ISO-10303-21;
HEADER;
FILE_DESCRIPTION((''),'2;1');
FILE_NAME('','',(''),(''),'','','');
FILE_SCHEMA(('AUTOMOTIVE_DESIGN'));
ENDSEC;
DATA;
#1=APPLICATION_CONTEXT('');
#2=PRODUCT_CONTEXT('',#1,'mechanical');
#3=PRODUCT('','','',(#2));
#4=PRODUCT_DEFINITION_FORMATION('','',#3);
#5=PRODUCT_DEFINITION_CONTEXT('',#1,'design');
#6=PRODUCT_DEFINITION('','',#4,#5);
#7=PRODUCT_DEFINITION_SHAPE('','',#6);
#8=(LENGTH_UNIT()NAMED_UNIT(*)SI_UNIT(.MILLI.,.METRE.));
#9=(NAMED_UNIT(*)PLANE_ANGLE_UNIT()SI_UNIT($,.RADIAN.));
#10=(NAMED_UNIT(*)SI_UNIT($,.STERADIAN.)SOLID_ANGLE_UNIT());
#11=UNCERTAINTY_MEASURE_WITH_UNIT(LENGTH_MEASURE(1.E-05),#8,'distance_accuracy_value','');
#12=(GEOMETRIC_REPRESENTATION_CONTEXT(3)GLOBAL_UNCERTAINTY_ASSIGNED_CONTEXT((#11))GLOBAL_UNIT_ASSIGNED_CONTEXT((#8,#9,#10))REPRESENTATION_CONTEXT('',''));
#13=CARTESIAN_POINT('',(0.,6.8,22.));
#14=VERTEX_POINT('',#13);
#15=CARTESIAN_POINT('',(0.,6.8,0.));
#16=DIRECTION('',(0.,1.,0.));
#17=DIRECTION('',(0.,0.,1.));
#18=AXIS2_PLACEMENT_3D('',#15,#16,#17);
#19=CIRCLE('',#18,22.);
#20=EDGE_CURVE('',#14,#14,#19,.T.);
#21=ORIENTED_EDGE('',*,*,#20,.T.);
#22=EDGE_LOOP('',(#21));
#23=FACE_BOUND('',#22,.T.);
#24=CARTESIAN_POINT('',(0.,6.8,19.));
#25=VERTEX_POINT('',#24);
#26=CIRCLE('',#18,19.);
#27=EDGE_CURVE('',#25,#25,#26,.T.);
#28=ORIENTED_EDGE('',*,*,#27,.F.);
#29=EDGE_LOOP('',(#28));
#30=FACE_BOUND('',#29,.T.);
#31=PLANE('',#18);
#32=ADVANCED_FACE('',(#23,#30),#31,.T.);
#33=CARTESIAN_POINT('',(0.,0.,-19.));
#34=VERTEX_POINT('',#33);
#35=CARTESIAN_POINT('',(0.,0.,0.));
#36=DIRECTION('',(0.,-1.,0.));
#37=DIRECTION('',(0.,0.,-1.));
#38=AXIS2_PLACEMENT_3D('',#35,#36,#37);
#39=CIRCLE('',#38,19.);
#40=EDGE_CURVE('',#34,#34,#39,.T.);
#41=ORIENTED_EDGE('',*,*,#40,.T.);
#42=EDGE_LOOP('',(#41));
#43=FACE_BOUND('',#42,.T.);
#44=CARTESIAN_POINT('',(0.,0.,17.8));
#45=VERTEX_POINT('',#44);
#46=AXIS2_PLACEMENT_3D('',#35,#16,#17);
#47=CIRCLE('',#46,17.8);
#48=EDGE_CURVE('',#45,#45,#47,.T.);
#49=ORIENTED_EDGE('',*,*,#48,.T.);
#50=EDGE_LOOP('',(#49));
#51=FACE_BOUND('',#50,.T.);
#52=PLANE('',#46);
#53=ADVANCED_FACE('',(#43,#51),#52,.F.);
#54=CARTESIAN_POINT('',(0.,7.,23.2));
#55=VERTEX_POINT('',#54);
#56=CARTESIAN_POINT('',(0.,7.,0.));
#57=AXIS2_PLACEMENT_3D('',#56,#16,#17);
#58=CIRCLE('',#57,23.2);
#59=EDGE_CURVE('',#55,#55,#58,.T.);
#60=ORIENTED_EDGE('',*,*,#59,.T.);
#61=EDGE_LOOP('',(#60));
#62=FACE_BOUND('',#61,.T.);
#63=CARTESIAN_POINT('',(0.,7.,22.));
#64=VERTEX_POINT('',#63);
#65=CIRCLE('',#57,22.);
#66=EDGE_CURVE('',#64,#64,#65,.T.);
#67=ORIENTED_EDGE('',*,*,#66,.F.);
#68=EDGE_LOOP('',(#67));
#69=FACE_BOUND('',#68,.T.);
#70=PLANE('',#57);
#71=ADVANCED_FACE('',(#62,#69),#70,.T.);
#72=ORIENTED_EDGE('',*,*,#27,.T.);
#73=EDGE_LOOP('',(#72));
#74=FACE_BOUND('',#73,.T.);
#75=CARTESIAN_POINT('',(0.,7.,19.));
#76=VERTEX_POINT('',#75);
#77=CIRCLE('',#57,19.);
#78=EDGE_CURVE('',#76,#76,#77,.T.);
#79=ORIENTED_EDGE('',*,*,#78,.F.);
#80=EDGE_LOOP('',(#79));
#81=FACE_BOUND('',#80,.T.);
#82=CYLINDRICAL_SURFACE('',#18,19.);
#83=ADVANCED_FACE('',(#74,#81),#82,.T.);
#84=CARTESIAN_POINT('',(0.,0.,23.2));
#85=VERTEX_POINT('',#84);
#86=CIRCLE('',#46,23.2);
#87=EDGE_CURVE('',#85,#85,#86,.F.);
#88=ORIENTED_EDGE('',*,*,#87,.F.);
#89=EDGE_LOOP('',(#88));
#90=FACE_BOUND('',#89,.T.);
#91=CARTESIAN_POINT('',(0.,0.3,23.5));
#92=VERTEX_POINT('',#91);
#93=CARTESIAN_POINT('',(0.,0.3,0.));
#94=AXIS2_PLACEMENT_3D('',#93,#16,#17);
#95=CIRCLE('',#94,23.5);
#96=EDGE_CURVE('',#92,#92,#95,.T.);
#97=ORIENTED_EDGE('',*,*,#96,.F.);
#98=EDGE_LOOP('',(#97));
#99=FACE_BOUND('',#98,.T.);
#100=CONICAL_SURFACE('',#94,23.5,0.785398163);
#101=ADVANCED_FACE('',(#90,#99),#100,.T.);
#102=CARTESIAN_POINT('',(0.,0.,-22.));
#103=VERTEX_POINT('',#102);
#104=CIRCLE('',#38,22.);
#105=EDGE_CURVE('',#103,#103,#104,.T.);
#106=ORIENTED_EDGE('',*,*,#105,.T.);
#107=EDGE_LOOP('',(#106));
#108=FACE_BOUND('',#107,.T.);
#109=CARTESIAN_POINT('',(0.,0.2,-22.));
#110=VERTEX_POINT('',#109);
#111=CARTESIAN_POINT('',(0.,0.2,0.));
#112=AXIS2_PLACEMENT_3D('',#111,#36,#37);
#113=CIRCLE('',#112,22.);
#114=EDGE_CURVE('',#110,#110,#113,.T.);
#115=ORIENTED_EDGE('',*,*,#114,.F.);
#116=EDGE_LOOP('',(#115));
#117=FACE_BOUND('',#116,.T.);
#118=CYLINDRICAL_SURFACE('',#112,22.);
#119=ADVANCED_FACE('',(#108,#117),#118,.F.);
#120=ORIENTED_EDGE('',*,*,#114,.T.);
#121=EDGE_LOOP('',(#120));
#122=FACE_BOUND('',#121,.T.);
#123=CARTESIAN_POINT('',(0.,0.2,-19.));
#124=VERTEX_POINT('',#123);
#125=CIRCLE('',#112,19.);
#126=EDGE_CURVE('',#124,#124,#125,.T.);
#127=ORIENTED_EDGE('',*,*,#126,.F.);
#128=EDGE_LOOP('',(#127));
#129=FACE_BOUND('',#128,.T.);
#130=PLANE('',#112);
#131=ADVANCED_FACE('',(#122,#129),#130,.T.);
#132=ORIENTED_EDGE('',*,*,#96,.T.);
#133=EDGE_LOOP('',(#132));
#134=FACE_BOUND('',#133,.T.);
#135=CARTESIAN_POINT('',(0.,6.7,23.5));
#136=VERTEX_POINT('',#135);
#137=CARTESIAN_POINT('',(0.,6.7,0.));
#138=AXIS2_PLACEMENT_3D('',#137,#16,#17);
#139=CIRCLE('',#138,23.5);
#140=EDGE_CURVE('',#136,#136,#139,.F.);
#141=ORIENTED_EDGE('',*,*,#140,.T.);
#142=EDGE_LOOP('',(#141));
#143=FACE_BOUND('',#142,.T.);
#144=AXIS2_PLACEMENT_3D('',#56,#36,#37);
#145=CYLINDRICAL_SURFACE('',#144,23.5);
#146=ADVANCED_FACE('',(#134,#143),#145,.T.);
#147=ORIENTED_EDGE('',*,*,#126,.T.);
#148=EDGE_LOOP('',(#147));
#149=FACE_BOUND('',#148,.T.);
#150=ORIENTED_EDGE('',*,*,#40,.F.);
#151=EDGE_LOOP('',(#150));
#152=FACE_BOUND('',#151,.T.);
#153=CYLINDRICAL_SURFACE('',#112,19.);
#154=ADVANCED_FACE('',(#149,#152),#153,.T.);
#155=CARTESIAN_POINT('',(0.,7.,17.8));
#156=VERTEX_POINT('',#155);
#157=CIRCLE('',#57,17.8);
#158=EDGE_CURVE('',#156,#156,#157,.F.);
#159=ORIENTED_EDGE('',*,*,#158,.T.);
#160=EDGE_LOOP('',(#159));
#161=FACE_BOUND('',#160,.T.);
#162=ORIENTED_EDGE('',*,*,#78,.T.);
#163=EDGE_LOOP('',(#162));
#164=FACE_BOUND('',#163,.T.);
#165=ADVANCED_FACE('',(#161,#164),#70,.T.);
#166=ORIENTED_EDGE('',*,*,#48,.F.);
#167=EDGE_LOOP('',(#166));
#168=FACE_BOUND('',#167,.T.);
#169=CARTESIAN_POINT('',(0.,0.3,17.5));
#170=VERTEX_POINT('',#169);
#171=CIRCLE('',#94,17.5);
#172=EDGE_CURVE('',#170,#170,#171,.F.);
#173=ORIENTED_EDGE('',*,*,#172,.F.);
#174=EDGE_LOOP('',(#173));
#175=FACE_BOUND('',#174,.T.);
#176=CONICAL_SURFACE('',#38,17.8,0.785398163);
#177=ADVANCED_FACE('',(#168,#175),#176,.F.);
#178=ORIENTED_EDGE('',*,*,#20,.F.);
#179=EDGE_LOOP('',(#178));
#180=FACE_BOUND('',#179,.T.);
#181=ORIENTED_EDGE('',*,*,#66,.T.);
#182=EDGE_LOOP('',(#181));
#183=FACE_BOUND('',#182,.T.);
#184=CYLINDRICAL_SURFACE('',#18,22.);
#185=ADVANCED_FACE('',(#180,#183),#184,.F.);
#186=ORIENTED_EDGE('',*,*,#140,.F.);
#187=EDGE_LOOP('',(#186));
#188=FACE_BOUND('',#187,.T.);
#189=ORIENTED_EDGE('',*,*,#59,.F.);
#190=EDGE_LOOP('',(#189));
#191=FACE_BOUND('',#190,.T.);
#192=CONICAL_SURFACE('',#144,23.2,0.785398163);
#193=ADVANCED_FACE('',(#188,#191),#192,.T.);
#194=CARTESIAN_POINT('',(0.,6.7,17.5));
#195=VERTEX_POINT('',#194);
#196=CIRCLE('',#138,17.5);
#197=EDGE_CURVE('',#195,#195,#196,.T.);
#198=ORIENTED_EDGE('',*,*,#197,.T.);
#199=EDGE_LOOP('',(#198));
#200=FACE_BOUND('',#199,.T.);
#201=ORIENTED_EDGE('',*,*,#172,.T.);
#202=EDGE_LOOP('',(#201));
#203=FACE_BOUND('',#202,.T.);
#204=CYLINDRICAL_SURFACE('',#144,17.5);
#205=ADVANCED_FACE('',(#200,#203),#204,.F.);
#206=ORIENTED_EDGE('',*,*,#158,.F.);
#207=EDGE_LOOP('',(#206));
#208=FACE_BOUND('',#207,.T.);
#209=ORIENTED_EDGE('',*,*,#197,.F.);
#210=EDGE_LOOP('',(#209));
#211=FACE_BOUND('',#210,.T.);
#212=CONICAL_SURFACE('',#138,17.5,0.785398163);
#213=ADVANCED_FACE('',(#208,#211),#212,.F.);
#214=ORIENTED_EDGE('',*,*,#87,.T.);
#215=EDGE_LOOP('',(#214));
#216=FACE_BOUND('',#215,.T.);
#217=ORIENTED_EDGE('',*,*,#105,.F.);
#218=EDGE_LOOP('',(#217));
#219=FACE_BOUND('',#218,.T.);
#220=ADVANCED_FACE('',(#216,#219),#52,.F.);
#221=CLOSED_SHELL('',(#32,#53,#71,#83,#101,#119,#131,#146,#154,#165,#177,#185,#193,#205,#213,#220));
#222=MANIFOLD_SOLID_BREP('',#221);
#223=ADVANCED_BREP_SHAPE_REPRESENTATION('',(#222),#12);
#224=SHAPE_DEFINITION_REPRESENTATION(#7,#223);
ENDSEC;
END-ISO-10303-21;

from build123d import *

# Parameters (mm, degrees)
SKETCH1_R           = 23.5
SKETCH1_R_2         = 17.5
BOSS_EXTRUDE1_DEPTH = 7
SKETCH2_R           = 22
SKETCH2_R_2         = 19
CUT_EXTRUDE1_DEPTH  = 0.2
CHAMFER1_SIZE       = 0.3
SKETCH3_R           = 22
SKETCH3_R_2         = 19
CUT_EXTRUDE2_DEPTH  = 0.2


with BuildPart() as part:
    # Sketch1 → Boss-Extrude1 (new body)
    with BuildSketch(Plane(origin=(0, 0, 0), x_dir=(1, 0, 0), z_dir=(0, 1, 0))):
        Circle(SKETCH1_R)
        Circle(SKETCH1_R_2, mode=Mode.SUBTRACT)
    extrude(amount=BOSS_EXTRUDE1_DEPTH)

    # Sketch2 → Cut-Extrude1 (cut)
    with BuildSketch(Plane(origin=(0, 7, 0), x_dir=(1, 0, 0), z_dir=(0, 1, 0))):
        Circle(SKETCH2_R)
        Circle(SKETCH2_R_2, mode=Mode.SUBTRACT)
    extrude(amount=-CUT_EXTRUDE1_DEPTH, mode=Mode.SUBTRACT)

    # Chamfer1
    chamfer1_edges = [part.edges().sort_by_distance(p)[0] for p in [
        (-23.5, 0, 0),
        (-23.5, 7, 0),
        (-17.5, 0, 0),
        (-17.5, 7, 0),
    ]]
    chamfer(chamfer1_edges, length=CHAMFER1_SIZE)

    # Sketch3 → Cut-Extrude2 (cut)
    with BuildSketch(Plane.XZ):
        Circle(SKETCH3_R)
        Circle(SKETCH3_R_2, mode=Mode.SUBTRACT)
    extrude(amount=-CUT_EXTRUDE2_DEPTH, mode=Mode.SUBTRACT)


solid = part.part
